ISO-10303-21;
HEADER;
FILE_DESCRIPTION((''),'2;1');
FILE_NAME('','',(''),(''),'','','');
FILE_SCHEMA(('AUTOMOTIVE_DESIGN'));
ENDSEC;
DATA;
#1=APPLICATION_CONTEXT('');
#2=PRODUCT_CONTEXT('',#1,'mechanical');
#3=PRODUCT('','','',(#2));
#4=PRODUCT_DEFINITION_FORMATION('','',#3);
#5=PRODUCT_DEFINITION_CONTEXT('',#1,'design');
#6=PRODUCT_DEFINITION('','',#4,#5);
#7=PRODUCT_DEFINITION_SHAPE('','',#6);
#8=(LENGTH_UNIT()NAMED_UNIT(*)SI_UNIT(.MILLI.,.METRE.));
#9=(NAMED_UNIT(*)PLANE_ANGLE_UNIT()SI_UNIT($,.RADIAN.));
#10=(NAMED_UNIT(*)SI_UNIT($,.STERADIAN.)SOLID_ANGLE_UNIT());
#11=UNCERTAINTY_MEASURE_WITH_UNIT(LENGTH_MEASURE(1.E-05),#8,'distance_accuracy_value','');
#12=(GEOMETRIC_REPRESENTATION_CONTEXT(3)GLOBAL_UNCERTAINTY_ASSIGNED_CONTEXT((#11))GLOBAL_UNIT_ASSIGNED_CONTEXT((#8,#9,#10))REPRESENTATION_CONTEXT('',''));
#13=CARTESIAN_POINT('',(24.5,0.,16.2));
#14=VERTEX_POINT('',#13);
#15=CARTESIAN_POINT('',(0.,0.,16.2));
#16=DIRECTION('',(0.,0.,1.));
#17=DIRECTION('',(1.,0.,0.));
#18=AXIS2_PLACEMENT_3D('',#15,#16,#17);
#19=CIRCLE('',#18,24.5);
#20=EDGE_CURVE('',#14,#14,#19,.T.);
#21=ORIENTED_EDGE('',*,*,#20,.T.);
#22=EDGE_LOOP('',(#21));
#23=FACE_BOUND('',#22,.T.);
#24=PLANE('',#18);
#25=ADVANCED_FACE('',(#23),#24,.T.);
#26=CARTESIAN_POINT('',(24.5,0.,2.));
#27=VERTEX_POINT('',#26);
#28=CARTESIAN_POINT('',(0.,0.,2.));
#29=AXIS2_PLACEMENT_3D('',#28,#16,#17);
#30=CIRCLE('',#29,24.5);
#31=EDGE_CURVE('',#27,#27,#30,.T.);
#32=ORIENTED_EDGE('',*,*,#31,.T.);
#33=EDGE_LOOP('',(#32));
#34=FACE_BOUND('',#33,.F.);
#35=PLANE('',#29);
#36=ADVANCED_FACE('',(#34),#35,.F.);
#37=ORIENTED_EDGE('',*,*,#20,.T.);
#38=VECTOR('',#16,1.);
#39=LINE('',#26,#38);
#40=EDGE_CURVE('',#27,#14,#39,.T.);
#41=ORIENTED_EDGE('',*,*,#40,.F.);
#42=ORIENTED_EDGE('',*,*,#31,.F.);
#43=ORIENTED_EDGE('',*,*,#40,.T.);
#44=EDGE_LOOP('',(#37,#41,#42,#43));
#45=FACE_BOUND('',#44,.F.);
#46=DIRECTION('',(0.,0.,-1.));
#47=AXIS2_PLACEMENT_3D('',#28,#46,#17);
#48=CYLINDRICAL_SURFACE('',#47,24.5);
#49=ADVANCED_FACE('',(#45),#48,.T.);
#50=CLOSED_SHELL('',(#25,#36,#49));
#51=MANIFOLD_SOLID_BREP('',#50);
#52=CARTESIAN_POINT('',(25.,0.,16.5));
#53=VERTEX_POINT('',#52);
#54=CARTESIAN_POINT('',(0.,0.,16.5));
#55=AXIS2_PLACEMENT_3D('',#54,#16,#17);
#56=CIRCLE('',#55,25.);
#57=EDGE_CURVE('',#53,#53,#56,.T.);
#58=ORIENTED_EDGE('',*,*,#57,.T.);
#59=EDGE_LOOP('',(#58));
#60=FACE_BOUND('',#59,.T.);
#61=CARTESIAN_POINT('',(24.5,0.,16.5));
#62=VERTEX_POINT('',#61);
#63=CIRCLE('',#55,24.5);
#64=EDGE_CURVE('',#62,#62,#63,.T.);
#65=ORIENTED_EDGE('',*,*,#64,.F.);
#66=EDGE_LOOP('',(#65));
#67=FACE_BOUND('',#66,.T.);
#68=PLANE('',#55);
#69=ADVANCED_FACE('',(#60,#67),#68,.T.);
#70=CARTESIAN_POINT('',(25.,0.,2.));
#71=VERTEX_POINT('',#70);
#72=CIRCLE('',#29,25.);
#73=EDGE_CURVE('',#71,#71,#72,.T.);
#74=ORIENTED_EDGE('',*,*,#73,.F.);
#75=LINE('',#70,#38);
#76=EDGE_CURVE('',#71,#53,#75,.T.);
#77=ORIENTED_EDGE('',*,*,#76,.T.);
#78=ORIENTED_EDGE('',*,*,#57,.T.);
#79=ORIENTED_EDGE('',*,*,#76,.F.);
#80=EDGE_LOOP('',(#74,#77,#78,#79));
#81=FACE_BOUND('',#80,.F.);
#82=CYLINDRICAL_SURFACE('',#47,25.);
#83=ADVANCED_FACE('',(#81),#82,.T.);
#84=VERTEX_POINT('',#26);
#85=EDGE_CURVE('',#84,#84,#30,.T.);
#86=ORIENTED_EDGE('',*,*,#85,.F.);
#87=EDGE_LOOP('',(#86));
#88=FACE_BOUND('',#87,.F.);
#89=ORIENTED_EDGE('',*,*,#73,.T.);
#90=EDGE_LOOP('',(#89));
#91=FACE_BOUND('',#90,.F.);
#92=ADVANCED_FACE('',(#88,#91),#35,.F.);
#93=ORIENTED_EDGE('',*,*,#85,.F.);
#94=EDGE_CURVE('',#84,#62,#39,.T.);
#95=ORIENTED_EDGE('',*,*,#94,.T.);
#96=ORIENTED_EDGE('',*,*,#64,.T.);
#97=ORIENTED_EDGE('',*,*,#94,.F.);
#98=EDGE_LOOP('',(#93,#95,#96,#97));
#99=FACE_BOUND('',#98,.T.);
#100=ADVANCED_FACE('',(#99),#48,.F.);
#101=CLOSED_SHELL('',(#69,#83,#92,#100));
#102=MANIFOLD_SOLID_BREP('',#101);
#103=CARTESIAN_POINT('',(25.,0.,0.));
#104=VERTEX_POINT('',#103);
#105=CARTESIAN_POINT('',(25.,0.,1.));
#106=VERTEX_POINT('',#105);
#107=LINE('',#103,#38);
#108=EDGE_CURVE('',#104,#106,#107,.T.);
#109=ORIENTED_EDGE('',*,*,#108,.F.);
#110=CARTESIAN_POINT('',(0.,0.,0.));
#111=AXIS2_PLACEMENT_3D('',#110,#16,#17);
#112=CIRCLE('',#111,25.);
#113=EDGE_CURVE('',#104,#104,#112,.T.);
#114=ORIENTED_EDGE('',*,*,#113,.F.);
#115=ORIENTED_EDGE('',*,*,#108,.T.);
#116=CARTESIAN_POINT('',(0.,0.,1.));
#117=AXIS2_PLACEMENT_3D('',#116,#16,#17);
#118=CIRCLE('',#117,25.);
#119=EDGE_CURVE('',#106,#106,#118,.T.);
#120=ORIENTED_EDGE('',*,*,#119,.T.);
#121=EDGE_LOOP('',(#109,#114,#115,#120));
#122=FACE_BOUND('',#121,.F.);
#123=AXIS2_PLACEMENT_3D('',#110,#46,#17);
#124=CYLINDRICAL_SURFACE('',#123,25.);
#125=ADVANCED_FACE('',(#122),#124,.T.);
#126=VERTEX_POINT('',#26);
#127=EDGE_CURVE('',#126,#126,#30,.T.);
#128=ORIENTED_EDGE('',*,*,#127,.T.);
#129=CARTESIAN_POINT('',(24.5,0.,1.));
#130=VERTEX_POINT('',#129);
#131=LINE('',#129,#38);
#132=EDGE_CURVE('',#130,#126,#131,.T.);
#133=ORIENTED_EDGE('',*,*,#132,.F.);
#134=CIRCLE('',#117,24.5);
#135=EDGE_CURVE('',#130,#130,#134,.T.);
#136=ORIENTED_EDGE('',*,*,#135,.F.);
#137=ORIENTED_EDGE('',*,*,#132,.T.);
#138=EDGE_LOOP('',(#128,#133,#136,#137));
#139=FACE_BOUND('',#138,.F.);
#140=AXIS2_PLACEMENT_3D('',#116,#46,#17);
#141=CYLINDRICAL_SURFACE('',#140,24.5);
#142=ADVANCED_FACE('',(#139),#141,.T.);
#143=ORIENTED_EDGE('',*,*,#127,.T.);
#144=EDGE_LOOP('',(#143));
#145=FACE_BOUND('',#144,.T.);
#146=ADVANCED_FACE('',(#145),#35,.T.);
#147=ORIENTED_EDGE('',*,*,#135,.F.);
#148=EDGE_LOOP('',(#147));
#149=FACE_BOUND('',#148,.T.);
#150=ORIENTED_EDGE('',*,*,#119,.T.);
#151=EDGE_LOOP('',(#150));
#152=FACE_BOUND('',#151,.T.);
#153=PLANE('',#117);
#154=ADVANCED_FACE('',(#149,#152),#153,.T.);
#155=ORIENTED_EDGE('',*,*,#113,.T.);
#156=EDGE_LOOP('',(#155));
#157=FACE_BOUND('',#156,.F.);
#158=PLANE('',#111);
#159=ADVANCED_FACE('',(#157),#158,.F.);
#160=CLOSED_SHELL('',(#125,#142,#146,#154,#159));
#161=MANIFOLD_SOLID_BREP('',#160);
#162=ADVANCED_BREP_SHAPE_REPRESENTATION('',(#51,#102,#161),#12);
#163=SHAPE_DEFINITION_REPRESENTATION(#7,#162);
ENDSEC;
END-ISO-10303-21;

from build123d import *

# Parameters (mm, degrees)
F0_R     = 25
F1_DEPTH = 1
F2_R     = 24.5
F3_DEPTH = 1
F4_R     = 25
F4_R_2   = 24.5
F6_DEPTH = 14.5
F5_R     = 24.5
F7_DEPTH = 14.2


with BuildPart() as f1:
    # F0 (on Top) → F1 (new body)
    with BuildSketch(Plane.XY):
        Circle(F0_R)
    extrude(amount=F1_DEPTH)

    # F2 (on face) → F3 (join)
    with BuildSketch(Plane.XY.offset(1)):
        Circle(F2_R)
    extrude(amount=F3_DEPTH)


with BuildPart() as f6:
    # F4 (on face) → F6 (new body)
    with BuildSketch(Plane.XY.offset(2)):
        Circle(F4_R)
        Circle(F4_R_2, mode=Mode.SUBTRACT)
    extrude(amount=F6_DEPTH)


with BuildPart() as f7:
    # F5 (on face) → F7 (new body)
    with BuildSketch(Plane.XY.offset(2)):
        Circle(F5_R)
    extrude(amount=F7_DEPTH)


solid = Compound([f1.part, f6.part, f7.part])
